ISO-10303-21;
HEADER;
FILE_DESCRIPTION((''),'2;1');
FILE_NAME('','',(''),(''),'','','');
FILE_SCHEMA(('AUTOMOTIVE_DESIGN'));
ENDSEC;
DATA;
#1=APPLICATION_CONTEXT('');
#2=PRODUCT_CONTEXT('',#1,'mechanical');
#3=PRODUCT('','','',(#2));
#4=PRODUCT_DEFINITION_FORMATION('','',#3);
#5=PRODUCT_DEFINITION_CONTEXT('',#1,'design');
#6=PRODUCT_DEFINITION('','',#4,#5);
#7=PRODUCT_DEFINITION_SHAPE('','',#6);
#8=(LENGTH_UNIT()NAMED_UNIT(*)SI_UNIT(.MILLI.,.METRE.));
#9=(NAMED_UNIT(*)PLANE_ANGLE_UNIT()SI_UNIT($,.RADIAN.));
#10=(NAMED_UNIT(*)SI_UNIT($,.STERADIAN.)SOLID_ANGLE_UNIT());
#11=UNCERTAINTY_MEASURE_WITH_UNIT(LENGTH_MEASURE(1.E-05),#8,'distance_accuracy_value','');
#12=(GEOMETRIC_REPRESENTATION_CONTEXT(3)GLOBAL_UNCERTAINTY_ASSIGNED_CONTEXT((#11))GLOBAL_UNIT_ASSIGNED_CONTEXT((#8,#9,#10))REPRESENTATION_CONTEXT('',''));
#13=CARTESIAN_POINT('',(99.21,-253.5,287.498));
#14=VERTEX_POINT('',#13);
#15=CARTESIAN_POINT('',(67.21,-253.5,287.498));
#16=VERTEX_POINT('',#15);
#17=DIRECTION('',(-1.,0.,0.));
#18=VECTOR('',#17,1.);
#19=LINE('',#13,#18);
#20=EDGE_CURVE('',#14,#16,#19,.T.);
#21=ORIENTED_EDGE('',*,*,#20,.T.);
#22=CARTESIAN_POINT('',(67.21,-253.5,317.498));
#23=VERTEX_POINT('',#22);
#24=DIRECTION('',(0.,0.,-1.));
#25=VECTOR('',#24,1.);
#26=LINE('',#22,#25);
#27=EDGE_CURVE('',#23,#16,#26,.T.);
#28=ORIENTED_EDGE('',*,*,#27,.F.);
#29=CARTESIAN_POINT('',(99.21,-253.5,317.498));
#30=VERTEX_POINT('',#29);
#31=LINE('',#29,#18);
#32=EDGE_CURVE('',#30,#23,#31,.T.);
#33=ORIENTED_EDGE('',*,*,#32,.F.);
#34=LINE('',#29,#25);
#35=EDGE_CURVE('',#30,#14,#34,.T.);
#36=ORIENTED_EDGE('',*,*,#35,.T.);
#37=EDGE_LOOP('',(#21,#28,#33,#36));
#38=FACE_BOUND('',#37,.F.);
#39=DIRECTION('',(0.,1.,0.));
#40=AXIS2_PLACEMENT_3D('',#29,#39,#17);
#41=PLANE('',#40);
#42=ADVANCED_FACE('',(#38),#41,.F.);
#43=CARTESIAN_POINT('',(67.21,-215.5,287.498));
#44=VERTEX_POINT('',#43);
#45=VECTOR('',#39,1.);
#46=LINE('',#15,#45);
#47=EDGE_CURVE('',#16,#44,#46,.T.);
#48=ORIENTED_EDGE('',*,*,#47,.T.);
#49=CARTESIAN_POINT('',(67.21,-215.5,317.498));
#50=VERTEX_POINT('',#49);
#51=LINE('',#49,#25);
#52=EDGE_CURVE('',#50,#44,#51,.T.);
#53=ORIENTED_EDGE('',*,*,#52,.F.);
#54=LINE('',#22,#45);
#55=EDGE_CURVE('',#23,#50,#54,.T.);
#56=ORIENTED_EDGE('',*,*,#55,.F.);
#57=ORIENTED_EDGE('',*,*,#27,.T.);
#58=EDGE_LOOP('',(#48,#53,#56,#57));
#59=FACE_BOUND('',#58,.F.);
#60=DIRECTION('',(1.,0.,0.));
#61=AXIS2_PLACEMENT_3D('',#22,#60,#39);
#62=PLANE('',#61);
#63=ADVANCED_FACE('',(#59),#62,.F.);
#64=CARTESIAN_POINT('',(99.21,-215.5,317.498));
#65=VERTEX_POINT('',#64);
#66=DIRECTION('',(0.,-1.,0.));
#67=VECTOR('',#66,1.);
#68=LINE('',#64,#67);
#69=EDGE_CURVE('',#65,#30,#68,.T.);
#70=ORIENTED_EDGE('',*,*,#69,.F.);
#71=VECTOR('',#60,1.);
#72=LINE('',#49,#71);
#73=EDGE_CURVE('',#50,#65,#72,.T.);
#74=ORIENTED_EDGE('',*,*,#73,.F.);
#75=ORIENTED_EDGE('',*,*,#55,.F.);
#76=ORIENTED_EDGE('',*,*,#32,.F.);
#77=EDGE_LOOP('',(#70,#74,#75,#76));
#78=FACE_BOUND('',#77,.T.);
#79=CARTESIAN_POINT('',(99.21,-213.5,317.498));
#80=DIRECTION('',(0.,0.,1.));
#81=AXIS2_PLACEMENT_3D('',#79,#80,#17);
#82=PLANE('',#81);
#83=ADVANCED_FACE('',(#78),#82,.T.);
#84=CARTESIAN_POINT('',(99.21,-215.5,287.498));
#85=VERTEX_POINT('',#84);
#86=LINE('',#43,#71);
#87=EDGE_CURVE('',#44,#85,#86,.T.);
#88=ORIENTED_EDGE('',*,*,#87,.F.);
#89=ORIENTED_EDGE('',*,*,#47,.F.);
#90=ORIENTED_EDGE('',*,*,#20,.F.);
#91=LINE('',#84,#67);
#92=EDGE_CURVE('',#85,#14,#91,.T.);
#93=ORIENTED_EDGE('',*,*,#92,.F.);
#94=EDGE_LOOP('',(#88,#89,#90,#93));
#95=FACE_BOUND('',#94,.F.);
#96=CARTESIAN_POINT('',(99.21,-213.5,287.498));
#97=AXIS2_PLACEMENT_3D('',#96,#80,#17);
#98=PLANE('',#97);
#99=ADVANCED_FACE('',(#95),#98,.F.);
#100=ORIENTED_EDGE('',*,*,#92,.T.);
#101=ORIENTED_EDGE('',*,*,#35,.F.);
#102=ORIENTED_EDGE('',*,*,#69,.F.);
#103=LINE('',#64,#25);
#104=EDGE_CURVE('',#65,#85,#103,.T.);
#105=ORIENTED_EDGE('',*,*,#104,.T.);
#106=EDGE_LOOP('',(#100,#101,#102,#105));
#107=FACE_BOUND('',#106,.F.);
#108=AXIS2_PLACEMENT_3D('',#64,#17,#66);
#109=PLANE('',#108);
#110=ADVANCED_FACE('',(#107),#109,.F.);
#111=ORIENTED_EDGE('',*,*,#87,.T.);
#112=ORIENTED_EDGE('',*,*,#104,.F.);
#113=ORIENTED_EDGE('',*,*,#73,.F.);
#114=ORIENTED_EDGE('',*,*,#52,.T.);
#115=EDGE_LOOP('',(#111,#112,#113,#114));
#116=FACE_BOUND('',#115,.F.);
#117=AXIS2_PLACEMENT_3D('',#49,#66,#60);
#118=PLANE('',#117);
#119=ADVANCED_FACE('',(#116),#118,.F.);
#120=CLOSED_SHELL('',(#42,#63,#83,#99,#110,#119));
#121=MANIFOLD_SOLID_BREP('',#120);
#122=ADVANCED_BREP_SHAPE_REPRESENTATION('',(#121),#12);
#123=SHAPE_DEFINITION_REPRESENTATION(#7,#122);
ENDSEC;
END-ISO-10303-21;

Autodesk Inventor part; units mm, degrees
ref_plane "YZ Plane" through (0, 0, 0) normal (1, 0, 0) x (0, 1, 0)
ref_plane "XZ Plane" through (0, 0, 0) normal (0, 1, 0) x (-1, 0, 0)
ref_plane "XY Plane" through (0, 0, 0) normal (0, 0, 1) x (1, 0, 0)
ref_plane "Work Plane1" through (99.21, -213.5, 317.498) normal (0, 0, 1) x (-1, 0, 0)
sketch "Sketch1" plane through (99.21, -213.5, 317.498) normal (0, 0, 1) x (-1, 0, 0)
  line L0 (99.8999, 40) -> (0, 40) construction
  circle A0 centre (15.057, 25.15) radius 5 construction
  line L1 (44.96, 36) -> (42.96, 36) construction
  line L2 (42.96, 36) -> (42.96, 37) construction
  line L3 (42.96, 37) -> (40.96, 37) construction
  line L4 (40.96, 37) -> (40.96, 38) construction
  line L5 (40.96, 38) -> (39.71, 38) construction
  arc A1 (39.71, 38) -> (37.21, 35.5) centre (39.71, 35.5) ccw construction
  line L6 (37.21, 35.5) -> (37.21, 34.25) construction
  line L7 (37.21, 34.25) -> (38.21, 34.25) construction
  line L8 (38.21, 34.25) -> (38.21, 32.25) construction
  line L9 (38.21, 32.25) -> (39.21, 32.25) construction
  line L10 (39.21, 32.25) -> (39.21, 30.25) construction
  line L11 (39.21, 30.25) -> (44.96, 30.25) construction
  line L12 (44.96, 30.25) -> (44.96, 36) construction
  line L13 (39.21, 20.25) -> (39.21, 18.25) construction
  line L14 (39.21, 18.25) -> (38.21, 18.25) construction
  line L15 (38.21, 18.25) -> (38.21, 16.25) construction
  line L16 (38.21, 16.25) -> (37.21, 16.25) construction
  line L17 (37.21, 16.25) -> (37.21, 15) construction
  arc A2 (37.21, 15) -> (39.71, 12.5) centre (39.71, 15) ccw construction
  line L18 (39.71, 12.5) -> (40.96, 12.5) construction
  line L19 (40.96, 12.5) -> (40.96, 13.5) construction
  line L20 (40.96, 13.5) -> (42.96, 13.5) construction
  line L21 (42.96, 13.5) -> (42.96, 14.5) construction
  line L22 (42.96, 14.5) -> (44.96, 14.5) construction
  line L23 (44.96, 14.5) -> (44.96, 20.25) construction
  line L24 (44.96, 20.25) -> (39.21, 20.25) construction
  line L25 (54.96, 14.5) -> (56.96, 14.5) construction
  line L26 (56.96, 14.5) -> (56.96, 13.5) construction
  line L27 (56.96, 13.5) -> (58.96, 13.5) construction
  line L28 (58.96, 13.5) -> (58.96, 12.5) construction
  line L29 (58.96, 12.5) -> (60.21, 12.5) construction
  arc A3 (60.21, 12.5) -> (62.71, 15) centre (60.21, 15) ccw construction
  line L30 (62.71, 15) -> (62.71, 16.25) construction
  line L31 (62.71, 16.25) -> (61.71, 16.25) construction
  line L32 (61.71, 16.25) -> (61.71, 18.25) construction
  line L33 (61.71, 18.25) -> (60.71, 18.25) construction
  line L34 (60.71, 18.25) -> (60.71, 20.25) construction
  line L35 (60.71, 20.25) -> (54.96, 20.25) construction
  line L36 (54.96, 20.25) -> (54.96, 14.5) construction
  line L37 (60.71, 30.25) -> (60.71, 32.25) construction
  line L38 (60.71, 32.25) -> (61.71, 32.25) construction
  line L39 (61.71, 32.25) -> (61.71, 34.25) construction
  line L40 (61.71, 34.25) -> (62.71, 34.25) construction
  line L41 (62.71, 34.25) -> (62.71, 35.5) construction
  arc A4 (62.71, 35.5) -> (60.21, 38) centre (60.21, 35.5) ccw construction
  line L42 (60.21, 38) -> (58.96, 38) construction
  line L43 (58.96, 38) -> (58.96, 37) construction
  line L44 (58.96, 37) -> (56.96, 37) construction
  line L45 (56.96, 37) -> (56.96, 36) construction
  line L46 (56.96, 36) -> (54.96, 36) construction
  line L47 (54.96, 36) -> (54.96, 30.25) construction
  line L48 (54.96, 30.25) -> (60.71, 30.25) construction
  line L49 (53.142, 27.7249) -> (52.4349, 28.432) construction
  line L50 (52.4349, 28.432) -> (51.3385, 27.3356) construction
  arc A5 (51.3385, 27.3356) -> (48.5815, 27.3356) centre (49.96, 25.25) ccw construction
  line L51 (48.5815, 27.3356) -> (47.4852, 28.432) construction
  line L52 (47.4852, 28.432) -> (46.7781, 27.7249) construction
  line L53 (46.7781, 27.7249) -> (47.8744, 26.6285) construction
  arc A6 (47.8744, 26.6285) -> (47.8744, 23.8715) centre (49.96, 25.25) ccw construction
  line L54 (47.8744, 23.8715) -> (46.7781, 22.7751) construction
  line L55 (46.7781, 22.7751) -> (47.4852, 22.068) construction
  line L56 (47.4852, 22.068) -> (48.5815, 23.1644) construction
  arc A7 (48.5815, 23.1644) -> (51.3385, 23.1644) centre (49.96, 25.25) ccw construction
  line L57 (51.3385, 23.1644) -> (52.4349, 22.068) construction
  line L58 (52.4349, 22.068) -> (53.142, 22.7751) construction
  line L59 (53.142, 22.7751) -> (52.0456, 23.8715) construction
  arc A8 (52.0456, 23.8715) -> (52.0456, 26.6285) centre (49.96, 25.25) ccw construction
  line L60 (52.0456, 26.6285) -> (53.142, 27.7249) construction
  line L61 (60.21, 27.75) -> (60.21, 29.25) construction
  line L62 (60.21, 29.25) -> (54.96, 29.25) construction
  line L63 (54.96, 29.25) -> (54.96, 21.25) construction
  line L64 (54.96, 21.25) -> (60.21, 21.25) construction
  line L65 (60.21, 21.25) -> (60.21, 22.75) construction
  line L66 (60.21, 22.75) -> (61.71, 22.75) construction
  line L67 (61.71, 22.75) -> (61.71, 19.25) construction
  line L68 (61.71, 19.25) -> (62.71, 19.25) construction
  line L69 (62.71, 19.25) -> (62.71, 17.25) construction
  line L70 (62.71, 17.25) -> (63.71, 17.25) construction
  line L71 (63.71, 17.25) -> (63.71, 15) construction
  arc A9 (60.21, 11.5) -> (63.71, 15) centre (60.21, 15) ccw construction
  line L72 (60.21, 11.5) -> (57.96, 11.5) construction
  line L73 (57.96, 11.5) -> (57.96, 12.5) construction
  line L74 (57.96, 12.5) -> (55.96, 12.5) construction
  line L75 (55.96, 12.5) -> (55.96, 13.5) construction
  line L76 (55.96, 13.5) -> (52.46, 13.5) construction
  line L77 (52.46, 13.5) -> (52.46, 15) construction
  line L78 (52.46, 15) -> (53.96, 15) construction
  line L79 (53.96, 15) -> (53.96, 20.25) construction
  line L80 (53.96, 20.25) -> (45.96, 20.25) construction
  line L81 (45.96, 20.25) -> (45.96, 15) construction
  line L82 (45.96, 15) -> (47.46, 15) construction
  line L83 (47.46, 15) -> (47.46, 13.5) construction
  line L84 (47.46, 13.5) -> (43.96, 13.5) construction
  line L85 (43.96, 13.5) -> (43.96, 12.5) construction
  line L86 (43.96, 12.5) -> (41.96, 12.5) construction
  line L87 (41.96, 12.5) -> (41.96, 11.5) construction
  line L88 (41.96, 11.5) -> (39.71, 11.5) construction
  arc A10 (36.21, 15) -> (39.71, 11.5) centre (39.71, 15) ccw construction
  line L89 (36.21, 15) -> (36.21, 17.25) construction
  line L90 (36.21, 17.25) -> (37.21, 17.25) construction
  line L91 (37.21, 17.25) -> (37.21, 19.25) construction
  line L92 (37.21, 19.25) -> (38.21, 19.25) construction
  line L93 (38.21, 19.25) -> (38.21, 22.75) construction
  line L94 (38.21, 22.75) -> (39.71, 22.75) construction
  line L95 (39.71, 22.75) -> (39.71, 21.25) construction
  line L96 (39.71, 21.25) -> (44.96, 21.25) construction
  line L97 (44.96, 21.25) -> (44.96, 29.25) construction
  line L98 (44.96, 29.25) -> (39.71, 29.25) construction
  line L99 (39.71, 29.25) -> (39.71, 27.75) construction
  line L100 (39.71, 27.75) -> (38.21, 27.75) construction
  line L101 (38.21, 27.75) -> (38.21, 31.25) construction
  line L102 (38.21, 31.25) -> (37.21, 31.25) construction
  line L103 (37.21, 31.25) -> (37.21, 33.25) construction
  line L104 (37.21, 33.25) -> (36.21, 33.25) construction
  line L105 (36.21, 33.25) -> (36.21, 35.5) construction
  arc A11 (39.71, 39) -> (36.21, 35.5) centre (39.71, 35.5) ccw construction
  line L106 (39.71, 39) -> (41.96, 39) construction
  line L107 (41.96, 39) -> (41.96, 38) construction
  line L108 (41.96, 38) -> (43.96, 38) construction
  line L109 (43.96, 38) -> (43.96, 37) construction
  line L110 (43.96, 37) -> (47.46, 37) construction
  line L111 (47.46, 37) -> (47.46, 35.5) construction
  line L112 (47.46, 35.5) -> (45.96, 35.5) construction
  line L113 (45.96, 35.5) -> (45.96, 30.25) construction
  line L114 (45.96, 30.25) -> (53.96, 30.25) construction
  line L115 (53.96, 30.25) -> (53.96, 35.5) construction
  line L116 (53.96, 35.5) -> (52.46, 35.5) construction
  line L117 (52.46, 35.5) -> (52.46, 37) construction
  line L118 (52.46, 37) -> (55.96, 37) construction
  line L119 (55.96, 37) -> (55.96, 38) construction
  line L120 (55.96, 38) -> (57.96, 38) construction
  line L121 (57.96, 38) -> (57.96, 39) construction
  line L122 (57.96, 39) -> (60.21, 39) construction
  arc A12 (63.71, 35.5) -> (60.21, 39) centre (60.21, 35.5) ccw construction
  line L123 (63.71, 35.5) -> (63.71, 33.25) construction
  line L124 (63.71, 33.25) -> (62.71, 33.25) construction
  line L125 (62.71, 33.25) -> (62.71, 31.25) construction
  line L126 (62.71, 31.25) -> (61.71, 31.25) construction
  line L127 (61.71, 31.25) -> (61.71, 27.75) construction
  line L128 (61.71, 27.75) -> (60.21, 27.75) construction
  line L129 (0, 0) -> (0, 2) construction
  line L130 (0, 2) -> (99.8999, 2) construction
  line L131 (99.8999, 0) -> (99.8999, 2) construction
  line L132 (99.8999, 0) -> (0, 0) construction
  line L133 (99.8999, 42) -> (99.8999, 40) construction
  line L134 (99.8999, 40) -> (0, 40) construction
  line L135 (0, 42) -> (0, 40) construction
  line L136 (0, 42) -> (99.8999, 42) construction
  line L137 (0, 40) -> (32, 40)
  line L138 (32, 40) -> (32, 2)
  line L139 (32, 2) -> (0, 2)
  line L140 (0, 2) -> (0, 40)
  point P0 (99.21, -213.5)
  dimension "d0" = 32
extrude "Extrusion1" add sketch "Sketch1" against normal blind 30
properties part number "supporto_manicotto_Z"
